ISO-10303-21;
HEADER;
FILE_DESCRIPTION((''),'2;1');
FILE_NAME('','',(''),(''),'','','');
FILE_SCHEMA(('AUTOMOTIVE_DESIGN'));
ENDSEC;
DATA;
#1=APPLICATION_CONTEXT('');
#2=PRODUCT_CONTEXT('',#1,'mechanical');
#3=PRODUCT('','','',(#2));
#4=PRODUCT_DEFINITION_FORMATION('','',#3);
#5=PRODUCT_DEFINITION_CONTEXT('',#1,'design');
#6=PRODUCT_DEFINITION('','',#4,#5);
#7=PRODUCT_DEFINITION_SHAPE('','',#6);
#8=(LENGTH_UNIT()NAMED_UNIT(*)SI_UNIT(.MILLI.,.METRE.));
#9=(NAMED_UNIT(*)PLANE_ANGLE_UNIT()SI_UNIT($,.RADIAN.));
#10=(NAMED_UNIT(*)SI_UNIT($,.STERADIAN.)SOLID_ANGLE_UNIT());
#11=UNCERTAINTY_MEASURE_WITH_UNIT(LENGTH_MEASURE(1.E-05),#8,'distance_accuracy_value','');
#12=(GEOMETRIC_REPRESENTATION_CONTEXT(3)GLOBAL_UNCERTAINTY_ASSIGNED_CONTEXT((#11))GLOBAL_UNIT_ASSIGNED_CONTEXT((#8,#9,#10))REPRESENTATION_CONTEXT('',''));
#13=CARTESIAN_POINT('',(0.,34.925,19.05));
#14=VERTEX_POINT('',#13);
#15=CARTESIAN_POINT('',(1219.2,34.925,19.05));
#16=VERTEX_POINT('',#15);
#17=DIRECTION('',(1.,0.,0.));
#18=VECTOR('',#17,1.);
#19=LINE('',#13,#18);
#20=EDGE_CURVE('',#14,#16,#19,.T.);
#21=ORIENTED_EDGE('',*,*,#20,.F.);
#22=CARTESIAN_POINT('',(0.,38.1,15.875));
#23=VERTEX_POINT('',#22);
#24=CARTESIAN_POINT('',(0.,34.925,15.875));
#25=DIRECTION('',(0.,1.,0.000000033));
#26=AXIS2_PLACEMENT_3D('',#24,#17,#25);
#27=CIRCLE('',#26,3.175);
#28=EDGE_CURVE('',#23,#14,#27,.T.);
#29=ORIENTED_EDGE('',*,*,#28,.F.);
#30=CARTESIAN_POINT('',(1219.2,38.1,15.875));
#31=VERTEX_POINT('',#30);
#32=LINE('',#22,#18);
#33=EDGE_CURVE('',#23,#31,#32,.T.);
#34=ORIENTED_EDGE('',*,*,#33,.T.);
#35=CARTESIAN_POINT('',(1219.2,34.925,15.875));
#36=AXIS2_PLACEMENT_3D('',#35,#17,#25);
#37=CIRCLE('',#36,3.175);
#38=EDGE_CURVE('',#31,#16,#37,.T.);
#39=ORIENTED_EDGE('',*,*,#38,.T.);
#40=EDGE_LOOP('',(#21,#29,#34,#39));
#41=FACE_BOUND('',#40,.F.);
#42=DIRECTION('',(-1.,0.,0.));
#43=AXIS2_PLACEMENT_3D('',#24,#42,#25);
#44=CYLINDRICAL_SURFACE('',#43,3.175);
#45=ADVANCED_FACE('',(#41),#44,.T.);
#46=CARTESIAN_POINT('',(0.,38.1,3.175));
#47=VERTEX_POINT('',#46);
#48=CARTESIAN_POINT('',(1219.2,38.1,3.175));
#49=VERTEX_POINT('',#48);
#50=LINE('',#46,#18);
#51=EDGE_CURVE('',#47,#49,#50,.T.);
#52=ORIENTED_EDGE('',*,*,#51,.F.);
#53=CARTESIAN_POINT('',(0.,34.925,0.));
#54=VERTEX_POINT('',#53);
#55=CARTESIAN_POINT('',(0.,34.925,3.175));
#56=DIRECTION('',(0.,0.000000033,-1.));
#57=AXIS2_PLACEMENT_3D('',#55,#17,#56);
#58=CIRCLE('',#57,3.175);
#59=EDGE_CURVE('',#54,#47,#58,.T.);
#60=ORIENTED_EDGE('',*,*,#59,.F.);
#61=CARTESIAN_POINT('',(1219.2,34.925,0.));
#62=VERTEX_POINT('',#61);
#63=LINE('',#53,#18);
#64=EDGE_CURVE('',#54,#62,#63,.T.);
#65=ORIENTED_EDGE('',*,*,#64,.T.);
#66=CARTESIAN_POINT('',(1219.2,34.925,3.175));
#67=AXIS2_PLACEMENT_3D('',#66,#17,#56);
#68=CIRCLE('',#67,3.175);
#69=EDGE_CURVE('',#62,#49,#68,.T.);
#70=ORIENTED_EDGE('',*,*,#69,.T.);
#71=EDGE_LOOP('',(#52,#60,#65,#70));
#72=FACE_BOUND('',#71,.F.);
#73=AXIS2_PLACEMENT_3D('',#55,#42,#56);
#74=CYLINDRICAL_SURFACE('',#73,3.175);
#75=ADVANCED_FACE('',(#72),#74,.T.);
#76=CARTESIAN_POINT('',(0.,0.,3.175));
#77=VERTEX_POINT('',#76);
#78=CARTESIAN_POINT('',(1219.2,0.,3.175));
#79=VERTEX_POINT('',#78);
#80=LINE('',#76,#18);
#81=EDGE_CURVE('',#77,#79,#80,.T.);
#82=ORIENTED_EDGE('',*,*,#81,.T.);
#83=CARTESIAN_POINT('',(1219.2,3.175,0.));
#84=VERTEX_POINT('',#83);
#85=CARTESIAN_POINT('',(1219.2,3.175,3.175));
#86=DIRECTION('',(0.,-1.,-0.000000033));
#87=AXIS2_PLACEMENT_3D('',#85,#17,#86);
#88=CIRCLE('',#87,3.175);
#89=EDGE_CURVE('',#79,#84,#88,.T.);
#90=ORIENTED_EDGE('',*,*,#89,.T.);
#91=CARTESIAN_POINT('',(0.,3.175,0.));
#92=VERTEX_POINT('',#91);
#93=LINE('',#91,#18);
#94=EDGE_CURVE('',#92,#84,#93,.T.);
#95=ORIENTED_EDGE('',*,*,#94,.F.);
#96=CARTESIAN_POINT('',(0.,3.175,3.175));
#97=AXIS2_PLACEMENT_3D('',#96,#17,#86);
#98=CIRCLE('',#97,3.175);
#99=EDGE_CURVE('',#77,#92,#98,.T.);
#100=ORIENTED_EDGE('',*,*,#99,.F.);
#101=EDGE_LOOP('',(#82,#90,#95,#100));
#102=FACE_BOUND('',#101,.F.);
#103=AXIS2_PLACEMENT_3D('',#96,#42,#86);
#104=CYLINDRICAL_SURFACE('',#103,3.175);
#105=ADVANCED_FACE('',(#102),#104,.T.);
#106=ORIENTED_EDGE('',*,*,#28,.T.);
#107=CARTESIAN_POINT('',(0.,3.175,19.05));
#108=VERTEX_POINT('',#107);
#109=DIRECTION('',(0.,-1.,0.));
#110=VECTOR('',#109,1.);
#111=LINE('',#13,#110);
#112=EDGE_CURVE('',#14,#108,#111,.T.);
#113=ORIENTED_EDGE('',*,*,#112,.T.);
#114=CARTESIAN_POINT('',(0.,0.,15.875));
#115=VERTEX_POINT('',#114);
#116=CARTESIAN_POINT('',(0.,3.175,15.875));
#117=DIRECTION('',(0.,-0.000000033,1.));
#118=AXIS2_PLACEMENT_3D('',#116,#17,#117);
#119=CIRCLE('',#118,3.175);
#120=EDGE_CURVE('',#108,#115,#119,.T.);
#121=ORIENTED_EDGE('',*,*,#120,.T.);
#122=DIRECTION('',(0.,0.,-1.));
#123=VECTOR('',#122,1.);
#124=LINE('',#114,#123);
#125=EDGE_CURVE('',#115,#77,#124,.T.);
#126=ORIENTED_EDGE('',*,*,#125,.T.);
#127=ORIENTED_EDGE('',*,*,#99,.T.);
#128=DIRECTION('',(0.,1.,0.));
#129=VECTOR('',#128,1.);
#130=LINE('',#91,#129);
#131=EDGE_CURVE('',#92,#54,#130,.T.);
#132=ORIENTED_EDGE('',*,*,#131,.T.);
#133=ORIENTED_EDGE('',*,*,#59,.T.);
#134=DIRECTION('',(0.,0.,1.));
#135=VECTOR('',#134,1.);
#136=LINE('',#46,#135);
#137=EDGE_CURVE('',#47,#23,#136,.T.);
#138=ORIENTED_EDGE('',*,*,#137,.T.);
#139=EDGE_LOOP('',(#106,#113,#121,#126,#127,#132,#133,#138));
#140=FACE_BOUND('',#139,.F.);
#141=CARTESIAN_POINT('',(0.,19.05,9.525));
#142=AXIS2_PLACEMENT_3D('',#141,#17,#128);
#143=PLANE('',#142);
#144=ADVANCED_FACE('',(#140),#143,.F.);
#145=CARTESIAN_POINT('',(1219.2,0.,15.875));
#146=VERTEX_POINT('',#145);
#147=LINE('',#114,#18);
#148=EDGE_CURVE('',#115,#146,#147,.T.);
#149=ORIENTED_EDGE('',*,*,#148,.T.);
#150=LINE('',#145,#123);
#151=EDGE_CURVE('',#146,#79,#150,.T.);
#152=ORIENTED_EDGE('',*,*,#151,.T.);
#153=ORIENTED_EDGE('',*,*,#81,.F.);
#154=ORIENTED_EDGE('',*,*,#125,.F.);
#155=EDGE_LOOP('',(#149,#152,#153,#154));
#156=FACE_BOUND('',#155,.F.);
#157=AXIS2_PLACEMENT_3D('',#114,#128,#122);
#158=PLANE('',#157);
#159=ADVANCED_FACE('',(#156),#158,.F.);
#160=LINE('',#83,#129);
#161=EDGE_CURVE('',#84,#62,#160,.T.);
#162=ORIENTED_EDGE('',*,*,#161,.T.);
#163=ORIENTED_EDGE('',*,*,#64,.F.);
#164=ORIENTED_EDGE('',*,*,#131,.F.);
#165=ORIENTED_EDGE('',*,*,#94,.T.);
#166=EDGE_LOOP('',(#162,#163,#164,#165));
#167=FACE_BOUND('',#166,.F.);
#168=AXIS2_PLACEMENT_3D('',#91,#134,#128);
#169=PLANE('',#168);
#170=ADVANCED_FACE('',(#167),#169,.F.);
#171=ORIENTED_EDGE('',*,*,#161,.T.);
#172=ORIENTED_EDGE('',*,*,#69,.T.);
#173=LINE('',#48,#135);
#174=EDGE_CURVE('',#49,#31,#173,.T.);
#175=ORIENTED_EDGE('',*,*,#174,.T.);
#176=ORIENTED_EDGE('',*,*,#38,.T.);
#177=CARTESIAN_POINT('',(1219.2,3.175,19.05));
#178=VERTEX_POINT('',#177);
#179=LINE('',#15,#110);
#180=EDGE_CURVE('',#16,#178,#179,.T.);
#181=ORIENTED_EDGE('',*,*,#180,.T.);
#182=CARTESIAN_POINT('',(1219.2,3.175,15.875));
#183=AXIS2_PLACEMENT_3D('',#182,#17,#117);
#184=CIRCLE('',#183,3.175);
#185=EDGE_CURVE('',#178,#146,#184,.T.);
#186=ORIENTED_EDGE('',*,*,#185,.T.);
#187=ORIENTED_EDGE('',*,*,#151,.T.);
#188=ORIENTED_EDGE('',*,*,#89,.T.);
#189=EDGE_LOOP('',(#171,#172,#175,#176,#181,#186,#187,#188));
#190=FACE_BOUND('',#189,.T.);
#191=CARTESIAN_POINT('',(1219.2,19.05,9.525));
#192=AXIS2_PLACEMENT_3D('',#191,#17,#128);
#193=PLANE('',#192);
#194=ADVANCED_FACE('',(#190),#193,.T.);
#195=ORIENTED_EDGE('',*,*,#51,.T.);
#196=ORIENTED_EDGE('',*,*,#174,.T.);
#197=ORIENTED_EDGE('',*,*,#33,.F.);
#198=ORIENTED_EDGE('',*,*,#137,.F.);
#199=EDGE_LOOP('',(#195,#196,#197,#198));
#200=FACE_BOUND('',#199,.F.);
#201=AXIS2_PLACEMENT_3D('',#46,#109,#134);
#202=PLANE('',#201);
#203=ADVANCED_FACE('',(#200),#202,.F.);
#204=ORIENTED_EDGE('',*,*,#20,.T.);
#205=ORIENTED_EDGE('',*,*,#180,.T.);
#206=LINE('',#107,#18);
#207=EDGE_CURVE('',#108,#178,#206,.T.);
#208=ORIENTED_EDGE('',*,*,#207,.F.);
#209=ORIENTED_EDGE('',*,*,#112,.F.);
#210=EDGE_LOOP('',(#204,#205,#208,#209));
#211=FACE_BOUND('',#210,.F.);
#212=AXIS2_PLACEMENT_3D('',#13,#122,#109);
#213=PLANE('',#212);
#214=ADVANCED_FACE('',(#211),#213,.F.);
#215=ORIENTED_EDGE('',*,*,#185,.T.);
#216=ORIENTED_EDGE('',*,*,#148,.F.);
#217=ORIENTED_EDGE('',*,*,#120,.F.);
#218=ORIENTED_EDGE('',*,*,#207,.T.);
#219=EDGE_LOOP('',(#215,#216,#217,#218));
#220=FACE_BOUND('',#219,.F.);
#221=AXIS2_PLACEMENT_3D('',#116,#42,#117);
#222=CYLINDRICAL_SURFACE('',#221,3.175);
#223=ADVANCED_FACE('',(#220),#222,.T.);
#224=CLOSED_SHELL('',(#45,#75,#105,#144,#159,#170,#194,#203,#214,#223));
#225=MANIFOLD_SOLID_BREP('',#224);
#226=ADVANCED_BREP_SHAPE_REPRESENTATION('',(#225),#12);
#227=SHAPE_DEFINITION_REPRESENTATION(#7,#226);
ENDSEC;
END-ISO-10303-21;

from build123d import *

# Parameters (mm, degrees)
F1_DEPTH = 1219.2


with BuildPart() as f1:
    # F0 (on Right) → F1 (new body)
    with BuildSketch(Plane.YZ):
        with BuildLine():
            ThreePointArc((0, 3.175), (0.929936, 0.929936), (3.175, 0))
            Line((3.175, 0), (34.925, 0))
            ThreePointArc((34.925, 0), (37.170064, 0.929936), (38.1, 3.175))
            Line((38.1, 3.175), (38.1, 15.875))
            ThreePointArc((38.1, 15.875), (37.170064, 18.120064), (34.925, 19.05))
            Line((34.925, 19.05), (3.175, 19.05))
            ThreePointArc((3.175, 19.05), (0.929936, 18.120064), (0, 15.875))
            Line((0, 15.875), (0, 3.175))
        make_face()
    extrude(amount=F1_DEPTH)


solid = f1.part
